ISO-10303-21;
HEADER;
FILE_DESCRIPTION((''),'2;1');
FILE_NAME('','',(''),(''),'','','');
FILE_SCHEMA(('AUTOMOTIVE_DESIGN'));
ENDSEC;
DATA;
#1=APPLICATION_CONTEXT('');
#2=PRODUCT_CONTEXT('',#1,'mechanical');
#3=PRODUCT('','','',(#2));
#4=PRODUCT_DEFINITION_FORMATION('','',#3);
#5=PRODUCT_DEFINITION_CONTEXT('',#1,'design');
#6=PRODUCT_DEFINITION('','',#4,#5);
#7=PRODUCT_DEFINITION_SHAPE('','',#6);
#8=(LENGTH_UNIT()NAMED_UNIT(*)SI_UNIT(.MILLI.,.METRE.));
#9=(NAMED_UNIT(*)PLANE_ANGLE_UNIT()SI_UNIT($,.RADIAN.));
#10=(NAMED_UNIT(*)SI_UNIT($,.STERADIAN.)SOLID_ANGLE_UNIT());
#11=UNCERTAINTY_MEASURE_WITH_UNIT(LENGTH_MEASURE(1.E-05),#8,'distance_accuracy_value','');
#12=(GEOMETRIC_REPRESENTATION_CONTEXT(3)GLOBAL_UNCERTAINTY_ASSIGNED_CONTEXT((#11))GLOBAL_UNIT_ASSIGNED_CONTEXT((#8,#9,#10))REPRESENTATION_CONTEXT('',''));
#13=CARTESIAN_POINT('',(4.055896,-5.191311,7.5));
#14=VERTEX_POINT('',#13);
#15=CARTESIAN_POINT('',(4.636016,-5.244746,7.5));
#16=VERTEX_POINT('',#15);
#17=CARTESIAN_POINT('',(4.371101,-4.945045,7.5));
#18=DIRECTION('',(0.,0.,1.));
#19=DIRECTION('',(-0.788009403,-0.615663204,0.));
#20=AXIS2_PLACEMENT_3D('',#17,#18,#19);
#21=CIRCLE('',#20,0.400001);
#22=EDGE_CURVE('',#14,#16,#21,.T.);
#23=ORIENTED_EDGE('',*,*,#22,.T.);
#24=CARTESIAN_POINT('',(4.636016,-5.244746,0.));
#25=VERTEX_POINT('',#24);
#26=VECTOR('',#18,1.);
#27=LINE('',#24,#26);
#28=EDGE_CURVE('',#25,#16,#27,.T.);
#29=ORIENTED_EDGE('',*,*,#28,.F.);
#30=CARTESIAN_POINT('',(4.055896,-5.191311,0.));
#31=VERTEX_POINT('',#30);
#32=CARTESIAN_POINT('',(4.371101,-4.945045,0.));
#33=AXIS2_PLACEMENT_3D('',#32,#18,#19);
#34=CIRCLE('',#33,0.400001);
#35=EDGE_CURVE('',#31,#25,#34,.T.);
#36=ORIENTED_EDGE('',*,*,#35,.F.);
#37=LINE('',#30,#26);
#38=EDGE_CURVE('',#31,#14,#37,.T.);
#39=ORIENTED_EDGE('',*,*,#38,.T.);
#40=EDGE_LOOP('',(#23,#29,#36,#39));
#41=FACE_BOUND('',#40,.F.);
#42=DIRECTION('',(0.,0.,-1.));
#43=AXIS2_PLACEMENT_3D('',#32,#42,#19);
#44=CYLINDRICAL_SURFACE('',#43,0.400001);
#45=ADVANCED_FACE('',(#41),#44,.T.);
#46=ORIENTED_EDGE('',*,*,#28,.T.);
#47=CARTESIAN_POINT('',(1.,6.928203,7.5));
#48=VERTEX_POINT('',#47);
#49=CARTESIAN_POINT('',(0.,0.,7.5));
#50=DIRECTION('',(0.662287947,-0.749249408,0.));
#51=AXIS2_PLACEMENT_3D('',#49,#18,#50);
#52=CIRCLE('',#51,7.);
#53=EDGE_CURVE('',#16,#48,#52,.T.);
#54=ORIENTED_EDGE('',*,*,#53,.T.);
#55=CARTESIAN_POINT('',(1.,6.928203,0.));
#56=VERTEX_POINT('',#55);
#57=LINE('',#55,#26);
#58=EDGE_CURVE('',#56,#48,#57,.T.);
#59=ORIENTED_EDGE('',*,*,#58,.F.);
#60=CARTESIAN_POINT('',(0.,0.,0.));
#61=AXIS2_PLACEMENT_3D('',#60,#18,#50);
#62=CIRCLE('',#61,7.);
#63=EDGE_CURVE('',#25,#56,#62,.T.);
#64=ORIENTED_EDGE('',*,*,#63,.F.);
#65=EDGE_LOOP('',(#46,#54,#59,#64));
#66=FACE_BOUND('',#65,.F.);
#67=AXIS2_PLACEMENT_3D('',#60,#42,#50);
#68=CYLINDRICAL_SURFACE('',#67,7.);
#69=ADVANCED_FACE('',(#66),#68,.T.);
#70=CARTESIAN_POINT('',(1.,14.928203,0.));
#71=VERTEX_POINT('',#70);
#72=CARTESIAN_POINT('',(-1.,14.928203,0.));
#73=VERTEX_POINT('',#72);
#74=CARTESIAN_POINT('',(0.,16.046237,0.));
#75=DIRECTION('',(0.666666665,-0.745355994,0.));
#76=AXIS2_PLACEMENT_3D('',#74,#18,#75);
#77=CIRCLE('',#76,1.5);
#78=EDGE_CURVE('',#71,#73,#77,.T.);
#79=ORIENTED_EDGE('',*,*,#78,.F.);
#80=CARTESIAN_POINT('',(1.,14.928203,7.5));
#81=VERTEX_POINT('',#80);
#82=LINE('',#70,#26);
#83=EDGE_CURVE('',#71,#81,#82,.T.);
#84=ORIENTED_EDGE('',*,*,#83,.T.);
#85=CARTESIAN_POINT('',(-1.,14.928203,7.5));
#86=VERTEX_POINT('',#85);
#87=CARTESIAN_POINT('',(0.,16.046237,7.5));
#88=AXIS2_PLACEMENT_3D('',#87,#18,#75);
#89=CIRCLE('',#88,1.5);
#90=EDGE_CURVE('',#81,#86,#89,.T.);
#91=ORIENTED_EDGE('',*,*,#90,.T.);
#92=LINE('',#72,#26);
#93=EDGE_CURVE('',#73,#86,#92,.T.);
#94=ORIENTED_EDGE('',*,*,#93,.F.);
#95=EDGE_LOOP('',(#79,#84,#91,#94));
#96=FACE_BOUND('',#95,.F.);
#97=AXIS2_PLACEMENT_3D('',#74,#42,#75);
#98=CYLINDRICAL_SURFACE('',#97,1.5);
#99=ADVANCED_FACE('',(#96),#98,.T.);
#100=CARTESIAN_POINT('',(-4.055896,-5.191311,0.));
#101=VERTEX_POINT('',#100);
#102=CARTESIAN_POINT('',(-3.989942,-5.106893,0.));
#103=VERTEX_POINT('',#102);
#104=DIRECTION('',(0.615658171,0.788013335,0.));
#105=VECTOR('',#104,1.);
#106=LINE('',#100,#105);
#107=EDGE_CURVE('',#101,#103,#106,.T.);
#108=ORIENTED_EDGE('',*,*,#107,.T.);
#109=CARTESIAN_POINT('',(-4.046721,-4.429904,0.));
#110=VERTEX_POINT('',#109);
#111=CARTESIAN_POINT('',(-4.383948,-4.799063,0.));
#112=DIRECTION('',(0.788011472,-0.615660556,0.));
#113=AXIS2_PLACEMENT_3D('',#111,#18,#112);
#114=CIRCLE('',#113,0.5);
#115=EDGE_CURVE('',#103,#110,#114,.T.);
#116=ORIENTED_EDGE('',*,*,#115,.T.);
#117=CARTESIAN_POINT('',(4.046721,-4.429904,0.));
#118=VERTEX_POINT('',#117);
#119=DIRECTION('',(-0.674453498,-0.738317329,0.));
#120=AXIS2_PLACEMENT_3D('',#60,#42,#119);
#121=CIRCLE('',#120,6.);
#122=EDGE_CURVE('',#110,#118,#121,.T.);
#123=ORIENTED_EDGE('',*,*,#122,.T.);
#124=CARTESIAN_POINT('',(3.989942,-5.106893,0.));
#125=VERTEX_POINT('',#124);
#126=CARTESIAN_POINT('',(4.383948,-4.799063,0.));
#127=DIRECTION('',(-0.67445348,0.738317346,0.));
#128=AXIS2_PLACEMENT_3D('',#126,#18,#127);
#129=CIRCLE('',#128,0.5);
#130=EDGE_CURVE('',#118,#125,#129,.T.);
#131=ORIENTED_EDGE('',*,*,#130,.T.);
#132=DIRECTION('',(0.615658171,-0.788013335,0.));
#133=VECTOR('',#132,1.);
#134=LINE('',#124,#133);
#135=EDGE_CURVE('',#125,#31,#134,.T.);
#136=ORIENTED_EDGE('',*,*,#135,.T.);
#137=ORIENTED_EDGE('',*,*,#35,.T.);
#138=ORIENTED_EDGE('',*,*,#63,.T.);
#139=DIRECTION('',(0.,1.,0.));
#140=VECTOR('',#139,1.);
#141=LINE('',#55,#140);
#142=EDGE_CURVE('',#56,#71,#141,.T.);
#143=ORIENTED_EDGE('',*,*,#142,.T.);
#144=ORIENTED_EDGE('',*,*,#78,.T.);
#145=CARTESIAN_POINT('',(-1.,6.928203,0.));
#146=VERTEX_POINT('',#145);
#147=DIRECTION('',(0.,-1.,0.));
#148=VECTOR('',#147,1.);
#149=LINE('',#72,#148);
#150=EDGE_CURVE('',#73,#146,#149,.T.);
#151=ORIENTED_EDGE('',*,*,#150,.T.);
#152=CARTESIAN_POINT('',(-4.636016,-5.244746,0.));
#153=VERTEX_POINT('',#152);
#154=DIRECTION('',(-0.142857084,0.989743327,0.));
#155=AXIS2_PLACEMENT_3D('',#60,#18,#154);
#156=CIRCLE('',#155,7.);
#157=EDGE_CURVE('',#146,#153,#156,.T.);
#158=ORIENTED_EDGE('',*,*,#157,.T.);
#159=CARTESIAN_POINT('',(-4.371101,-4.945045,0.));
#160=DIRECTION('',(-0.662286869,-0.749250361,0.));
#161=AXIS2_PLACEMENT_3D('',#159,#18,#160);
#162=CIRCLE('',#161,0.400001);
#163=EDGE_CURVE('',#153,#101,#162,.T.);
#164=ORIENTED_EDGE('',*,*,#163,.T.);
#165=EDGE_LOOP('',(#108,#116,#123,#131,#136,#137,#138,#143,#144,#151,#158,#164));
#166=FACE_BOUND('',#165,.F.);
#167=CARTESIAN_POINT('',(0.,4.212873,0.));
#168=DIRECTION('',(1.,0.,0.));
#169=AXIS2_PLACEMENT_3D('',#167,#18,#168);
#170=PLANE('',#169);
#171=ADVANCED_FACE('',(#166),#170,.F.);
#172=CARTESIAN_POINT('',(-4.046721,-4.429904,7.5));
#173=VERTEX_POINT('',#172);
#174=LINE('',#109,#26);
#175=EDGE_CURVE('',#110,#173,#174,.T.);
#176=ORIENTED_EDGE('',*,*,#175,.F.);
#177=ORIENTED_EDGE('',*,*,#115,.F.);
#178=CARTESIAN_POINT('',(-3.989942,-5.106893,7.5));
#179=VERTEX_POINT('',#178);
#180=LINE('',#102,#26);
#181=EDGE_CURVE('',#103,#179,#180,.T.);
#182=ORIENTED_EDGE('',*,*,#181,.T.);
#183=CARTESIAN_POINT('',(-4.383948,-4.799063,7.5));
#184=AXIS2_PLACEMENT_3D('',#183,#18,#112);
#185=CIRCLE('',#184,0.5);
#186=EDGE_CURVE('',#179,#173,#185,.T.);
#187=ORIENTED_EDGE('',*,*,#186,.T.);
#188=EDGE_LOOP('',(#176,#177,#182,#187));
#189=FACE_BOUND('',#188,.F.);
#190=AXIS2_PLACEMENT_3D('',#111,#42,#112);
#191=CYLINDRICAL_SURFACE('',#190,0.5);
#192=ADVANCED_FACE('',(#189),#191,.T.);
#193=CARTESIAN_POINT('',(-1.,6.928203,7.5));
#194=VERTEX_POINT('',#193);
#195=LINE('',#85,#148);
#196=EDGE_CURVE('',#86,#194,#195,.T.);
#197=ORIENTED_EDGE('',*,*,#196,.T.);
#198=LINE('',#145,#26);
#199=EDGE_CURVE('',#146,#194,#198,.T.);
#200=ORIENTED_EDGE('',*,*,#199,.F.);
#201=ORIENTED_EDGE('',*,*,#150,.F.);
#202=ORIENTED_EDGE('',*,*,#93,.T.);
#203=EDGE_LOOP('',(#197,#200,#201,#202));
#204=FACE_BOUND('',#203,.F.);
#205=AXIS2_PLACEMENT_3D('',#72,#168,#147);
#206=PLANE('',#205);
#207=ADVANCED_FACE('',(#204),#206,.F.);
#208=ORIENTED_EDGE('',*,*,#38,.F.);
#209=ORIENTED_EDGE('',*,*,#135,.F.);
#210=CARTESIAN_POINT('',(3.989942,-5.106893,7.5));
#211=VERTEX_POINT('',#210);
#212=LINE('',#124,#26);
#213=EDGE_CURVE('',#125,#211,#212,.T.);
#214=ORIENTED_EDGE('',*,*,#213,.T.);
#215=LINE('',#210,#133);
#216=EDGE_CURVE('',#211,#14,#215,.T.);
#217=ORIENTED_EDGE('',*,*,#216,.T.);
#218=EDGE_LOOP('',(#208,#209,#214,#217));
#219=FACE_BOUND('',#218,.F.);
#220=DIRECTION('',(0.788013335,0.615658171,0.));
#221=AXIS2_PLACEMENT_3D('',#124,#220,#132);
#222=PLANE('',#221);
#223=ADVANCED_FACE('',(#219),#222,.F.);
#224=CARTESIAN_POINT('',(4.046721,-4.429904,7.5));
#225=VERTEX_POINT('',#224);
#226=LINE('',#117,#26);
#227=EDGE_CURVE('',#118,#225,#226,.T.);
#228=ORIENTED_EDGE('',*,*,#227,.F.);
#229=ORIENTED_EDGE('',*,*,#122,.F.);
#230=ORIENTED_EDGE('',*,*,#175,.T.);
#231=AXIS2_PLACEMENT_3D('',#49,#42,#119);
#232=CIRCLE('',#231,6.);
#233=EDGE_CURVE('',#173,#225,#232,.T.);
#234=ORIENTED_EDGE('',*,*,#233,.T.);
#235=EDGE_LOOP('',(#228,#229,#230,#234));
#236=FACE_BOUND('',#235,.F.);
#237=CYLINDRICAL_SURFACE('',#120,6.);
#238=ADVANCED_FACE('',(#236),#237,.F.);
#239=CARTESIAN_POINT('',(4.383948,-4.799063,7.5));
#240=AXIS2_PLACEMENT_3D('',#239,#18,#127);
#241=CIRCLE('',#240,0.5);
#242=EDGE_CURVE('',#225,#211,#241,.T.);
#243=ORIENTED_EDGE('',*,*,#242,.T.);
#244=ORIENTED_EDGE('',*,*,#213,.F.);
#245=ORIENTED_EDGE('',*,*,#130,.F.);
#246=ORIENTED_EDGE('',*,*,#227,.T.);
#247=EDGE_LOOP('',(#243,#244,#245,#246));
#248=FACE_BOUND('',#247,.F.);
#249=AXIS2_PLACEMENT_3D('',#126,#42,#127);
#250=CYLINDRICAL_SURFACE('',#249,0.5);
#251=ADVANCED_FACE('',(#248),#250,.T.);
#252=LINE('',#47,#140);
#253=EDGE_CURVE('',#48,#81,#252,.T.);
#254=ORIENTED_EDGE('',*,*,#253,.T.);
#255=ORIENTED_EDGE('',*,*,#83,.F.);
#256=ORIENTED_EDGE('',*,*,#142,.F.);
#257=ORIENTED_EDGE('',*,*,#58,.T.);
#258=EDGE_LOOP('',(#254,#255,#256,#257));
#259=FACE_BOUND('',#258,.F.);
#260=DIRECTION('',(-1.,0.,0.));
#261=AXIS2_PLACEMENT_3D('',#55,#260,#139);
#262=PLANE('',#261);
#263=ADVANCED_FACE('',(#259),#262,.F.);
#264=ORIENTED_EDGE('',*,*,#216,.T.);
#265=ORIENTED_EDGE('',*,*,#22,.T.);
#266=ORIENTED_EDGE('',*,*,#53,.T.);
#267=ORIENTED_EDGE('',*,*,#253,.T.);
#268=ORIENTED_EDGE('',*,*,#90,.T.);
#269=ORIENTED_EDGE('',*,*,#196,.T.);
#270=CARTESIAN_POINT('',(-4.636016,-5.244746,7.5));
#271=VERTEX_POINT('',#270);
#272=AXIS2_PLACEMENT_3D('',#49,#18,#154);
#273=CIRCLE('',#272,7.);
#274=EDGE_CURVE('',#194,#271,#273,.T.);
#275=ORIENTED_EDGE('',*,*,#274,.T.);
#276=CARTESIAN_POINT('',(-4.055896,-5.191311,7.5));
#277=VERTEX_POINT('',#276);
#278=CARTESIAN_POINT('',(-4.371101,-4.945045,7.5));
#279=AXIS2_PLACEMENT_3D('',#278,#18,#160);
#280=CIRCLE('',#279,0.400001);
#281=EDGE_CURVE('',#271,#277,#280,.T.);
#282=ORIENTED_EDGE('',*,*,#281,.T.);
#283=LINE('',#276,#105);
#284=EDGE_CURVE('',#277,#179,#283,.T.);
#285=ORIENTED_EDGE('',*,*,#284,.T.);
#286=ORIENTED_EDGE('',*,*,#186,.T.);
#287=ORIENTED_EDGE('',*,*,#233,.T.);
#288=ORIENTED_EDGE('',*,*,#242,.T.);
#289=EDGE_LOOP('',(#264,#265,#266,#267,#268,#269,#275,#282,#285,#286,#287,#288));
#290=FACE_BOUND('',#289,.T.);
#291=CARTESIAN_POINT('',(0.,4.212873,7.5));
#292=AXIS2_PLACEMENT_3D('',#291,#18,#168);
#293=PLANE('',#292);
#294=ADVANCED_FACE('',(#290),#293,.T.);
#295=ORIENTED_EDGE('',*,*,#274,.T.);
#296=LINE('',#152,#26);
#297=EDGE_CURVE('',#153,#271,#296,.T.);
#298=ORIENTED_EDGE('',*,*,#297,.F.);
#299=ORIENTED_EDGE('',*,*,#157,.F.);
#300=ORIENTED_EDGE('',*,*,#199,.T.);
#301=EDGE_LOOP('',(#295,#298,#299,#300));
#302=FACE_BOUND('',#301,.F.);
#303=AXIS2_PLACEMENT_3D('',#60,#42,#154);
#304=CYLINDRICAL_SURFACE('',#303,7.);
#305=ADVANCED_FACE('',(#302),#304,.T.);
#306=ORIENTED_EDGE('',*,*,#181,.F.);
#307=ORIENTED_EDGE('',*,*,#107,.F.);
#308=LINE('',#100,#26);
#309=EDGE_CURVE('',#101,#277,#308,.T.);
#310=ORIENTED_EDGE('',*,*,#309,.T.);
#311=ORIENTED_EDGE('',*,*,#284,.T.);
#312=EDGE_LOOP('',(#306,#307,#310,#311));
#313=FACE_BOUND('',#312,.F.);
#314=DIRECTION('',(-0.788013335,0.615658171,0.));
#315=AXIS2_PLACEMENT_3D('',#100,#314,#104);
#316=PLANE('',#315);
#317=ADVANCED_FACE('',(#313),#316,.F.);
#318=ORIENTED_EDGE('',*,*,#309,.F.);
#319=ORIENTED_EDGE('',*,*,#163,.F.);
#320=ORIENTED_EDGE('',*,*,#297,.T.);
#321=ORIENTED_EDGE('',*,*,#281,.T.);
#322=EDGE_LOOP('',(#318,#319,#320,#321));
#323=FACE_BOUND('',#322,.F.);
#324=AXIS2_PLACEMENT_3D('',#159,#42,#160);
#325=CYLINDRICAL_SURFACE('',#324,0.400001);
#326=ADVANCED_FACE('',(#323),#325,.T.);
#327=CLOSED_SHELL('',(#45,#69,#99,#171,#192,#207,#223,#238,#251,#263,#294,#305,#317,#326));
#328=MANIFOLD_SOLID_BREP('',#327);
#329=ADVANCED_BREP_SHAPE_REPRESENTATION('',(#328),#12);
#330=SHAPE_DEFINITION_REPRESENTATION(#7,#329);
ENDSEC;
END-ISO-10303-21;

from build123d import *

# Parameters (mm, degrees)
F1_DEPTH = 7.5


with BuildPart() as f1:
    # F0 (on Top) → F1 (new body)
    with BuildSketch(Plane.XY):
        with BuildLine():
            ThreePointArc((4.055896, -5.191311), (4.334412, -5.34336), (4.636016, -5.244746))
            ThreePointArc((4.636016, -5.244746), (6.707186, 2.003412), (1, 6.928203))
            Line((1, 6.928203), (1, 14.928203))
            ThreePointArc((1, 14.928203), (0, 17.546237), (-1, 14.928203))
            Line((-1, 14.928203), (-1, 6.928203))
            ThreePointArc((-1, 6.928203), (-6.707186, 2.003412), (-4.636016, -5.244746))
            ThreePointArc((-4.636016, -5.244746), (-4.334412, -5.34336), (-4.055896, -5.191311))
            Line((-4.055896, -5.191311), (-3.989942, -5.106893))
            ThreePointArc((-3.989942, -5.106893), (-3.885697, -4.757275), (-4.046721, -4.429904))
            ThreePointArc((-4.046721, -4.429904), (0, 6), (4.046721, -4.429904))
            ThreePointArc((4.046721, -4.429904), (3.885697, -4.757275), (3.989942, -5.106893))
            Line((3.989942, -5.106893), (4.055896, -5.191311))
        make_face()
    extrude(amount=F1_DEPTH)


solid = f1.part
